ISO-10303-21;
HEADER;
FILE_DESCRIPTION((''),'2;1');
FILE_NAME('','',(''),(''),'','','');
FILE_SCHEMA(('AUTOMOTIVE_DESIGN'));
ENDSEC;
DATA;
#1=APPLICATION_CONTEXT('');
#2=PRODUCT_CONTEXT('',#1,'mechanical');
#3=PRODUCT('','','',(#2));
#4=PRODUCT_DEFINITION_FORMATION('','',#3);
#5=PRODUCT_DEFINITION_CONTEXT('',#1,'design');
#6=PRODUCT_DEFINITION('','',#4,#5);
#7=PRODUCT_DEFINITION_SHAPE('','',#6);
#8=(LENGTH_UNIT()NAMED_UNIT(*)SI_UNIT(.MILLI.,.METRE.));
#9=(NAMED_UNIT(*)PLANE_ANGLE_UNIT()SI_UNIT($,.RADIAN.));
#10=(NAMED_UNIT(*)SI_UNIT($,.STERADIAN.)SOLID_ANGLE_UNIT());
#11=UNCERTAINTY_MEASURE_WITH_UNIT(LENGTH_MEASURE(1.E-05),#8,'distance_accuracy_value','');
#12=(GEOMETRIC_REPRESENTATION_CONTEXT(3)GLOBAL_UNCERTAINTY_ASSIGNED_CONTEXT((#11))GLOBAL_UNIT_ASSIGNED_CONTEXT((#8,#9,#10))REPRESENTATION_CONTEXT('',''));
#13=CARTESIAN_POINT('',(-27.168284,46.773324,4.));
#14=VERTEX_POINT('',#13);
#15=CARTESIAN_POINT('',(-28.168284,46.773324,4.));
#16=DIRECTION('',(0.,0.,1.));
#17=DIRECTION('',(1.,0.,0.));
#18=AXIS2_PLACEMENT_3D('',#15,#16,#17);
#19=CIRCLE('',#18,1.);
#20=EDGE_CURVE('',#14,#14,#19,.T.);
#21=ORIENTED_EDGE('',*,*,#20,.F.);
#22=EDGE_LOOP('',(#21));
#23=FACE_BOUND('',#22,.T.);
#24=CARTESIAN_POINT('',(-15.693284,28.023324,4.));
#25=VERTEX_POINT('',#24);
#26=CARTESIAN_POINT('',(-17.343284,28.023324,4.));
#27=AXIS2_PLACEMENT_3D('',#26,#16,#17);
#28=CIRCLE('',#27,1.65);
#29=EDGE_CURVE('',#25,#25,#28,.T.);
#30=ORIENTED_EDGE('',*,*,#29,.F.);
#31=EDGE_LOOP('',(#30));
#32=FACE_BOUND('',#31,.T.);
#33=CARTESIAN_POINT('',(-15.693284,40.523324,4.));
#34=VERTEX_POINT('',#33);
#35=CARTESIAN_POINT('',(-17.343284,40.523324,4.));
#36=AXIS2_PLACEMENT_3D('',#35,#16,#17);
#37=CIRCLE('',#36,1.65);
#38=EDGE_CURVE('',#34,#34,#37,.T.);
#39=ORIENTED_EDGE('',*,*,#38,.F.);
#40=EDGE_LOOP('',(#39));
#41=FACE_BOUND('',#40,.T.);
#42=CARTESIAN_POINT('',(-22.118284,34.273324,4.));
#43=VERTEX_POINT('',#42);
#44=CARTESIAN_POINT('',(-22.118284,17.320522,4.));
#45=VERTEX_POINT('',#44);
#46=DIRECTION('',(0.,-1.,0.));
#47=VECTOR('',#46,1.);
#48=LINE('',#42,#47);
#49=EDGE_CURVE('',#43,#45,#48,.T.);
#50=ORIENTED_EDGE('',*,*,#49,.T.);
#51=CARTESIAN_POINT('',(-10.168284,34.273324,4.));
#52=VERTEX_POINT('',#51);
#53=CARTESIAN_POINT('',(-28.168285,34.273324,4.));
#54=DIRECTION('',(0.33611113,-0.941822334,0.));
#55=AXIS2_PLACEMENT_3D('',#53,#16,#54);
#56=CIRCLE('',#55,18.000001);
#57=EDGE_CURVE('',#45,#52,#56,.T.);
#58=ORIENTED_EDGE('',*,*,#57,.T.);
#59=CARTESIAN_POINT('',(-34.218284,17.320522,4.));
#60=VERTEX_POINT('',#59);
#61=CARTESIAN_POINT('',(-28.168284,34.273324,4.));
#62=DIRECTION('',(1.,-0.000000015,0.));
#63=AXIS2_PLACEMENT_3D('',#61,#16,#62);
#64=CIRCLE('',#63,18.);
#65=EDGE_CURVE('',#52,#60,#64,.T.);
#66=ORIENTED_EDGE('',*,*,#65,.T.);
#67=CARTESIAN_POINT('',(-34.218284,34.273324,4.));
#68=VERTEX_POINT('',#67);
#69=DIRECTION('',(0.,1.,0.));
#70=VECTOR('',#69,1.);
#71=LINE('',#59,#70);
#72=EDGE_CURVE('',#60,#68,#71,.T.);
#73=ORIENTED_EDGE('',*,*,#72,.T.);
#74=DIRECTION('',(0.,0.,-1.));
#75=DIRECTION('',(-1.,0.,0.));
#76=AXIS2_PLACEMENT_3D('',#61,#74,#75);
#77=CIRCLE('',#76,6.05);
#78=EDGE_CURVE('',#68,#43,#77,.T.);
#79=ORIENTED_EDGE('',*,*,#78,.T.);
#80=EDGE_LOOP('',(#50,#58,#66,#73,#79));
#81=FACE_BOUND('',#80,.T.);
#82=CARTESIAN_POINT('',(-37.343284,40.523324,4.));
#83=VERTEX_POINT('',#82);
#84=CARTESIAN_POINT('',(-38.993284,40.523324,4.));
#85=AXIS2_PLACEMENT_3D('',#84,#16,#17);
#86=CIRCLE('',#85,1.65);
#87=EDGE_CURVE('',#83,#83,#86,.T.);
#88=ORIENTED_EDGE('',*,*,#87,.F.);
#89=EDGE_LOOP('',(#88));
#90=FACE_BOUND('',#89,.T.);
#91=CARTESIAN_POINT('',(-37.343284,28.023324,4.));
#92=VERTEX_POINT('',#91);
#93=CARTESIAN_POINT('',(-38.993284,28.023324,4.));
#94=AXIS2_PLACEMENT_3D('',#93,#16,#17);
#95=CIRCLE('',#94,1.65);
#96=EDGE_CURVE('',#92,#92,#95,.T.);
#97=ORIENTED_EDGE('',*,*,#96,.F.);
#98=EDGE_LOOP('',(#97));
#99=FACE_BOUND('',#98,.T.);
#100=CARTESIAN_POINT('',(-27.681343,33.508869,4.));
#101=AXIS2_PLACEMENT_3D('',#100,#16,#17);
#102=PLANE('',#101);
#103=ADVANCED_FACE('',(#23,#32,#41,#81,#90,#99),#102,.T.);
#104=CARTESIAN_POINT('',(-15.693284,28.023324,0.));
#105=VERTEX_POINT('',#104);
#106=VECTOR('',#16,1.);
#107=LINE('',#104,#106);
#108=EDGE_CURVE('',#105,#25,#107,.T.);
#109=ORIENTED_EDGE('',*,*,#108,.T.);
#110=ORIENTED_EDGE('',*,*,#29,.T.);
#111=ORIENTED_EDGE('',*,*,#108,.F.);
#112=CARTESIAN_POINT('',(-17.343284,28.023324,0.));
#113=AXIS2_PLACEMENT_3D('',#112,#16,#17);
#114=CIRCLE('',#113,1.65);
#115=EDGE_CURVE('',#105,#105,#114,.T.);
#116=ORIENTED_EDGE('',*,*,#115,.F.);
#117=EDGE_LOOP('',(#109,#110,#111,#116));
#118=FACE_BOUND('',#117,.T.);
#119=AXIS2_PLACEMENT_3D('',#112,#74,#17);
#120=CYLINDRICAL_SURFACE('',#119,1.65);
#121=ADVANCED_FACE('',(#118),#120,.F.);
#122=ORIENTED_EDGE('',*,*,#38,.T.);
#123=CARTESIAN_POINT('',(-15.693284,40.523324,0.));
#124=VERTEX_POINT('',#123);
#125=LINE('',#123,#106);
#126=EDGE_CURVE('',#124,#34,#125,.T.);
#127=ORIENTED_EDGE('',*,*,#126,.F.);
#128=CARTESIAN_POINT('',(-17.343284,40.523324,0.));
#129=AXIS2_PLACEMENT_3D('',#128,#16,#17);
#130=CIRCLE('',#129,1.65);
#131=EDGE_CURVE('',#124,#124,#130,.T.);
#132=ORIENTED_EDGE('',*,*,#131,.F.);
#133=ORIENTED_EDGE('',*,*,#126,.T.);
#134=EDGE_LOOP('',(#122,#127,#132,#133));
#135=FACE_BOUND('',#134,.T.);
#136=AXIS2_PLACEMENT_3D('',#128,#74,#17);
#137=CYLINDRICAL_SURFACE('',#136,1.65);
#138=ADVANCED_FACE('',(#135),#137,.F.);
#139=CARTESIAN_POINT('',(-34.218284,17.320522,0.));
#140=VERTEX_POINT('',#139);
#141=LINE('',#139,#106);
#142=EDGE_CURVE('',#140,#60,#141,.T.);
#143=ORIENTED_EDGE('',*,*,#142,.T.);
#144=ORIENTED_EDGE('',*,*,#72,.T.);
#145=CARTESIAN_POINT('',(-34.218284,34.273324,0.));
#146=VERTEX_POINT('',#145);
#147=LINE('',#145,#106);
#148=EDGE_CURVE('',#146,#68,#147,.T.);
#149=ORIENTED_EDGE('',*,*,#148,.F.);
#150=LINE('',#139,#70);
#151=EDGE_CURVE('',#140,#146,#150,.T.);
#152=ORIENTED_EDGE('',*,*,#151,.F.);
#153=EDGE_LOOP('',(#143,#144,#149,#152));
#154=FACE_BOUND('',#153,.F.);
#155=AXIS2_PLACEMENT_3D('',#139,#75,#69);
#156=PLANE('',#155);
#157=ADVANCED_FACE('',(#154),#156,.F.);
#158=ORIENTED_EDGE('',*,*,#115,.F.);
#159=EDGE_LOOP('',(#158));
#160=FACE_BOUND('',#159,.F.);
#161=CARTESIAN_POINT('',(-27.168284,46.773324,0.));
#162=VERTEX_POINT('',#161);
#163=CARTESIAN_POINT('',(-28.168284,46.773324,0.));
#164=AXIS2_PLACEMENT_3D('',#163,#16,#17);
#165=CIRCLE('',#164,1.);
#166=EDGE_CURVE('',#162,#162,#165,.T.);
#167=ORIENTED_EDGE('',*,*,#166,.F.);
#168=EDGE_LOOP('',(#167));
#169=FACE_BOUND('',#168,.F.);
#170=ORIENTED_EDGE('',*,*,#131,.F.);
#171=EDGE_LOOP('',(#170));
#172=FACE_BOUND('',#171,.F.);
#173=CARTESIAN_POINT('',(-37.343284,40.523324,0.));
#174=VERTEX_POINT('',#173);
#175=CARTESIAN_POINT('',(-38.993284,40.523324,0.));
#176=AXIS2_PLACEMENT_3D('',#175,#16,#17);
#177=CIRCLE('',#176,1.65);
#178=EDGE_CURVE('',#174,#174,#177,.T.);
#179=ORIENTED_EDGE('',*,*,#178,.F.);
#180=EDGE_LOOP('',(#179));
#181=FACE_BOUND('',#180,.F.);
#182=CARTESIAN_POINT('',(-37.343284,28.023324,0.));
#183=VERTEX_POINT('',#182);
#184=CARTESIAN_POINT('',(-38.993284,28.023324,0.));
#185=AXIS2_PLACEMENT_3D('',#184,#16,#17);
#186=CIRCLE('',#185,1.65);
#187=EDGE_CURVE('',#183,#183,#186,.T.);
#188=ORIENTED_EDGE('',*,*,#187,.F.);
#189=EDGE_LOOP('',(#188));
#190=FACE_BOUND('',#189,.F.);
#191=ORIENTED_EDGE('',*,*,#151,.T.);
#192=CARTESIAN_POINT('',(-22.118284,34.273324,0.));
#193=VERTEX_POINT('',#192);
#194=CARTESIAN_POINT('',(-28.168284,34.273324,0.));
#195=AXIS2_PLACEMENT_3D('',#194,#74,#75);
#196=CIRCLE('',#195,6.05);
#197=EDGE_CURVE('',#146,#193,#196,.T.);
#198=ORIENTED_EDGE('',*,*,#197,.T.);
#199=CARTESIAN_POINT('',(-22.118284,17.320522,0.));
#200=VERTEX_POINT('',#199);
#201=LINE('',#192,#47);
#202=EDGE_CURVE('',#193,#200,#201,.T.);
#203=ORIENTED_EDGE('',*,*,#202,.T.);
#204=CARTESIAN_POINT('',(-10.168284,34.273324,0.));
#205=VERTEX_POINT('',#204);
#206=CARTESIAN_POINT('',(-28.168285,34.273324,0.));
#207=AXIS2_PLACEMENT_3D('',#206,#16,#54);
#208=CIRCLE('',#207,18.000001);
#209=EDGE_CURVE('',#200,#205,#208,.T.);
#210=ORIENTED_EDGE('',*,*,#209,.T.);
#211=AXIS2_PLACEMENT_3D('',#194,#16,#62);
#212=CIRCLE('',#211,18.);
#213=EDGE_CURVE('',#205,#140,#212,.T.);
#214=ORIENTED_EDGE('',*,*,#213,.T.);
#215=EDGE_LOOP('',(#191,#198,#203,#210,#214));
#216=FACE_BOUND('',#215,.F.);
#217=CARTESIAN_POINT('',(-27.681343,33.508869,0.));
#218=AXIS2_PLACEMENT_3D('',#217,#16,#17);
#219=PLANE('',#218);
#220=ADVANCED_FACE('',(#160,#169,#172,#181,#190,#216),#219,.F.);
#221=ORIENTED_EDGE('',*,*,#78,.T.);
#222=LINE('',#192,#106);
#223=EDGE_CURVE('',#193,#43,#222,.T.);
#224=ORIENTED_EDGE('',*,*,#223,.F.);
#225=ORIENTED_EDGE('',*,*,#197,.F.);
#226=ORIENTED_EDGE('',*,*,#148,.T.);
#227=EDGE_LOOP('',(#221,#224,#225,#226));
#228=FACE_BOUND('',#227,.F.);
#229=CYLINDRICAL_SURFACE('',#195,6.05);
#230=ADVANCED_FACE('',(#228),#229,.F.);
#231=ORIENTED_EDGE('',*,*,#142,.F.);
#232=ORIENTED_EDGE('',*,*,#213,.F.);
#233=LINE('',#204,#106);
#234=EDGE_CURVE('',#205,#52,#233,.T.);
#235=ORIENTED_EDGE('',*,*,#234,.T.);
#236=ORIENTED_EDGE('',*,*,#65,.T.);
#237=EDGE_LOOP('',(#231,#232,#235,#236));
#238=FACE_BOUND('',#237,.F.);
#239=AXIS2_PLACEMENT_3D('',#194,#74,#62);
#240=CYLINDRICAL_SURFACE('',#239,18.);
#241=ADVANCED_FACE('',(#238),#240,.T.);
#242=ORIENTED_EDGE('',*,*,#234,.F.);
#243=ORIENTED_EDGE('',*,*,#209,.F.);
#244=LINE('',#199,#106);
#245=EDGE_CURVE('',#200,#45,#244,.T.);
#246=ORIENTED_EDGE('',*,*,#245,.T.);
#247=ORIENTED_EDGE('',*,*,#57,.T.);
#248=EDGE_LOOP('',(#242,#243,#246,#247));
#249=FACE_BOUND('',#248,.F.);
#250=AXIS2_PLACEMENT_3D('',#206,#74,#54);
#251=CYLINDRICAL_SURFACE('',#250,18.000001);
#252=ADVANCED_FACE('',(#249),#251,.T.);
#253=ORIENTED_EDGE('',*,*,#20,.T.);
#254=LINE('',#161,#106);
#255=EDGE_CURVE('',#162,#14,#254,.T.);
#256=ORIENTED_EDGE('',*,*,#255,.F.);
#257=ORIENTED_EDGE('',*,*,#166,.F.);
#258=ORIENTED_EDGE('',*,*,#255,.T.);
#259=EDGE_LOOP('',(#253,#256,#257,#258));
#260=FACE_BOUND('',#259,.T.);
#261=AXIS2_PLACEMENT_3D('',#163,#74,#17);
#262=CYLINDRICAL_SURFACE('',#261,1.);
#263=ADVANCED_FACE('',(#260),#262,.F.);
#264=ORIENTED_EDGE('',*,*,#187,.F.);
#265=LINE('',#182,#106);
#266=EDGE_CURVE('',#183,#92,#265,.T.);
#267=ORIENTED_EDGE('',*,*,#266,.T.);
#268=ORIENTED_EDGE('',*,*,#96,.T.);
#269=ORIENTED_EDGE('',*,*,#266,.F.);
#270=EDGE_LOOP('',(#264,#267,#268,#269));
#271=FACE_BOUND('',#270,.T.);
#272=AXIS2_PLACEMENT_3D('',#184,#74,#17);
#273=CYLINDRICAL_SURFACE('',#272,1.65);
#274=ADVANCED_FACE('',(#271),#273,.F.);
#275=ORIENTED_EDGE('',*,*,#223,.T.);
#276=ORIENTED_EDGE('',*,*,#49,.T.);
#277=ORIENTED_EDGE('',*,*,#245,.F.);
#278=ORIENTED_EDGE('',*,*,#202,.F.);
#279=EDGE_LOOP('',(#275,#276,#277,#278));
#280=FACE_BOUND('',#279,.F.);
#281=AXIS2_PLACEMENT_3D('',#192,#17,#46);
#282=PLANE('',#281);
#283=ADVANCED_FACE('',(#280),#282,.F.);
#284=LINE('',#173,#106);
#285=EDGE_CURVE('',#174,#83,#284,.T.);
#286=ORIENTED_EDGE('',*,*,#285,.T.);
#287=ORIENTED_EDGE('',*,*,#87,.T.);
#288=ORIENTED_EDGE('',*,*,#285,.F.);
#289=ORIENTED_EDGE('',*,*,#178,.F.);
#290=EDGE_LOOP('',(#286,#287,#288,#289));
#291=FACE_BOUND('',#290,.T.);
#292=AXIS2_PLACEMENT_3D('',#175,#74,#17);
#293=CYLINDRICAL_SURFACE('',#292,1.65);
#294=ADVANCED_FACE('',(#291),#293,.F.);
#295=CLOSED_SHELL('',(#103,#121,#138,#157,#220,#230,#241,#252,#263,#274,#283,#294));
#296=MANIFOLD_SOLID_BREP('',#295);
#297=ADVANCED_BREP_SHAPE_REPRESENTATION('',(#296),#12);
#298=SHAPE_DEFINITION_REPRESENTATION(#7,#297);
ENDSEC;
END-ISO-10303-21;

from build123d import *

# Parameters (mm, degrees)
F0_R     = 1.65
F0_R_2   = 1
F1_DEPTH = 4


with BuildPart() as f1:
    # F0 (on Top) → F1 (new body)
    with BuildSketch(Plane.XY):
        with BuildLine():
            ThreePointArc((-22.118284, 17.320522), (-13.456044, 23.902693), (-10.168284, 34.273324))
            ThreePointArc((-10.168284, 34.273324), (-38.538916, 48.985564), (-34.218284, 17.320522))
            Line((-34.218284, 17.320522), (-34.218284, 34.273324))
            ThreePointArc((-34.218284, 34.273324), (-28.168284, 40.323324), (-22.118284, 34.273324))
            Line((-22.118284, 34.273324), (-22.118284, 17.320522))
        make_face()
        with Locations((-38.993284, 28.023324)):
            Circle(F0_R, mode=Mode.SUBTRACT)
        with Locations((-17.343284, 28.023324)):
            Circle(F0_R, mode=Mode.SUBTRACT)
        with Locations((-38.993284, 40.523324)):
            Circle(F0_R, mode=Mode.SUBTRACT)
        with Locations((-28.168284, 46.773324)):
            Circle(F0_R_2, mode=Mode.SUBTRACT)
        with Locations((-17.343284, 40.523324)):
            Circle(F0_R, mode=Mode.SUBTRACT)
    extrude(amount=F1_DEPTH)


solid = f1.part
